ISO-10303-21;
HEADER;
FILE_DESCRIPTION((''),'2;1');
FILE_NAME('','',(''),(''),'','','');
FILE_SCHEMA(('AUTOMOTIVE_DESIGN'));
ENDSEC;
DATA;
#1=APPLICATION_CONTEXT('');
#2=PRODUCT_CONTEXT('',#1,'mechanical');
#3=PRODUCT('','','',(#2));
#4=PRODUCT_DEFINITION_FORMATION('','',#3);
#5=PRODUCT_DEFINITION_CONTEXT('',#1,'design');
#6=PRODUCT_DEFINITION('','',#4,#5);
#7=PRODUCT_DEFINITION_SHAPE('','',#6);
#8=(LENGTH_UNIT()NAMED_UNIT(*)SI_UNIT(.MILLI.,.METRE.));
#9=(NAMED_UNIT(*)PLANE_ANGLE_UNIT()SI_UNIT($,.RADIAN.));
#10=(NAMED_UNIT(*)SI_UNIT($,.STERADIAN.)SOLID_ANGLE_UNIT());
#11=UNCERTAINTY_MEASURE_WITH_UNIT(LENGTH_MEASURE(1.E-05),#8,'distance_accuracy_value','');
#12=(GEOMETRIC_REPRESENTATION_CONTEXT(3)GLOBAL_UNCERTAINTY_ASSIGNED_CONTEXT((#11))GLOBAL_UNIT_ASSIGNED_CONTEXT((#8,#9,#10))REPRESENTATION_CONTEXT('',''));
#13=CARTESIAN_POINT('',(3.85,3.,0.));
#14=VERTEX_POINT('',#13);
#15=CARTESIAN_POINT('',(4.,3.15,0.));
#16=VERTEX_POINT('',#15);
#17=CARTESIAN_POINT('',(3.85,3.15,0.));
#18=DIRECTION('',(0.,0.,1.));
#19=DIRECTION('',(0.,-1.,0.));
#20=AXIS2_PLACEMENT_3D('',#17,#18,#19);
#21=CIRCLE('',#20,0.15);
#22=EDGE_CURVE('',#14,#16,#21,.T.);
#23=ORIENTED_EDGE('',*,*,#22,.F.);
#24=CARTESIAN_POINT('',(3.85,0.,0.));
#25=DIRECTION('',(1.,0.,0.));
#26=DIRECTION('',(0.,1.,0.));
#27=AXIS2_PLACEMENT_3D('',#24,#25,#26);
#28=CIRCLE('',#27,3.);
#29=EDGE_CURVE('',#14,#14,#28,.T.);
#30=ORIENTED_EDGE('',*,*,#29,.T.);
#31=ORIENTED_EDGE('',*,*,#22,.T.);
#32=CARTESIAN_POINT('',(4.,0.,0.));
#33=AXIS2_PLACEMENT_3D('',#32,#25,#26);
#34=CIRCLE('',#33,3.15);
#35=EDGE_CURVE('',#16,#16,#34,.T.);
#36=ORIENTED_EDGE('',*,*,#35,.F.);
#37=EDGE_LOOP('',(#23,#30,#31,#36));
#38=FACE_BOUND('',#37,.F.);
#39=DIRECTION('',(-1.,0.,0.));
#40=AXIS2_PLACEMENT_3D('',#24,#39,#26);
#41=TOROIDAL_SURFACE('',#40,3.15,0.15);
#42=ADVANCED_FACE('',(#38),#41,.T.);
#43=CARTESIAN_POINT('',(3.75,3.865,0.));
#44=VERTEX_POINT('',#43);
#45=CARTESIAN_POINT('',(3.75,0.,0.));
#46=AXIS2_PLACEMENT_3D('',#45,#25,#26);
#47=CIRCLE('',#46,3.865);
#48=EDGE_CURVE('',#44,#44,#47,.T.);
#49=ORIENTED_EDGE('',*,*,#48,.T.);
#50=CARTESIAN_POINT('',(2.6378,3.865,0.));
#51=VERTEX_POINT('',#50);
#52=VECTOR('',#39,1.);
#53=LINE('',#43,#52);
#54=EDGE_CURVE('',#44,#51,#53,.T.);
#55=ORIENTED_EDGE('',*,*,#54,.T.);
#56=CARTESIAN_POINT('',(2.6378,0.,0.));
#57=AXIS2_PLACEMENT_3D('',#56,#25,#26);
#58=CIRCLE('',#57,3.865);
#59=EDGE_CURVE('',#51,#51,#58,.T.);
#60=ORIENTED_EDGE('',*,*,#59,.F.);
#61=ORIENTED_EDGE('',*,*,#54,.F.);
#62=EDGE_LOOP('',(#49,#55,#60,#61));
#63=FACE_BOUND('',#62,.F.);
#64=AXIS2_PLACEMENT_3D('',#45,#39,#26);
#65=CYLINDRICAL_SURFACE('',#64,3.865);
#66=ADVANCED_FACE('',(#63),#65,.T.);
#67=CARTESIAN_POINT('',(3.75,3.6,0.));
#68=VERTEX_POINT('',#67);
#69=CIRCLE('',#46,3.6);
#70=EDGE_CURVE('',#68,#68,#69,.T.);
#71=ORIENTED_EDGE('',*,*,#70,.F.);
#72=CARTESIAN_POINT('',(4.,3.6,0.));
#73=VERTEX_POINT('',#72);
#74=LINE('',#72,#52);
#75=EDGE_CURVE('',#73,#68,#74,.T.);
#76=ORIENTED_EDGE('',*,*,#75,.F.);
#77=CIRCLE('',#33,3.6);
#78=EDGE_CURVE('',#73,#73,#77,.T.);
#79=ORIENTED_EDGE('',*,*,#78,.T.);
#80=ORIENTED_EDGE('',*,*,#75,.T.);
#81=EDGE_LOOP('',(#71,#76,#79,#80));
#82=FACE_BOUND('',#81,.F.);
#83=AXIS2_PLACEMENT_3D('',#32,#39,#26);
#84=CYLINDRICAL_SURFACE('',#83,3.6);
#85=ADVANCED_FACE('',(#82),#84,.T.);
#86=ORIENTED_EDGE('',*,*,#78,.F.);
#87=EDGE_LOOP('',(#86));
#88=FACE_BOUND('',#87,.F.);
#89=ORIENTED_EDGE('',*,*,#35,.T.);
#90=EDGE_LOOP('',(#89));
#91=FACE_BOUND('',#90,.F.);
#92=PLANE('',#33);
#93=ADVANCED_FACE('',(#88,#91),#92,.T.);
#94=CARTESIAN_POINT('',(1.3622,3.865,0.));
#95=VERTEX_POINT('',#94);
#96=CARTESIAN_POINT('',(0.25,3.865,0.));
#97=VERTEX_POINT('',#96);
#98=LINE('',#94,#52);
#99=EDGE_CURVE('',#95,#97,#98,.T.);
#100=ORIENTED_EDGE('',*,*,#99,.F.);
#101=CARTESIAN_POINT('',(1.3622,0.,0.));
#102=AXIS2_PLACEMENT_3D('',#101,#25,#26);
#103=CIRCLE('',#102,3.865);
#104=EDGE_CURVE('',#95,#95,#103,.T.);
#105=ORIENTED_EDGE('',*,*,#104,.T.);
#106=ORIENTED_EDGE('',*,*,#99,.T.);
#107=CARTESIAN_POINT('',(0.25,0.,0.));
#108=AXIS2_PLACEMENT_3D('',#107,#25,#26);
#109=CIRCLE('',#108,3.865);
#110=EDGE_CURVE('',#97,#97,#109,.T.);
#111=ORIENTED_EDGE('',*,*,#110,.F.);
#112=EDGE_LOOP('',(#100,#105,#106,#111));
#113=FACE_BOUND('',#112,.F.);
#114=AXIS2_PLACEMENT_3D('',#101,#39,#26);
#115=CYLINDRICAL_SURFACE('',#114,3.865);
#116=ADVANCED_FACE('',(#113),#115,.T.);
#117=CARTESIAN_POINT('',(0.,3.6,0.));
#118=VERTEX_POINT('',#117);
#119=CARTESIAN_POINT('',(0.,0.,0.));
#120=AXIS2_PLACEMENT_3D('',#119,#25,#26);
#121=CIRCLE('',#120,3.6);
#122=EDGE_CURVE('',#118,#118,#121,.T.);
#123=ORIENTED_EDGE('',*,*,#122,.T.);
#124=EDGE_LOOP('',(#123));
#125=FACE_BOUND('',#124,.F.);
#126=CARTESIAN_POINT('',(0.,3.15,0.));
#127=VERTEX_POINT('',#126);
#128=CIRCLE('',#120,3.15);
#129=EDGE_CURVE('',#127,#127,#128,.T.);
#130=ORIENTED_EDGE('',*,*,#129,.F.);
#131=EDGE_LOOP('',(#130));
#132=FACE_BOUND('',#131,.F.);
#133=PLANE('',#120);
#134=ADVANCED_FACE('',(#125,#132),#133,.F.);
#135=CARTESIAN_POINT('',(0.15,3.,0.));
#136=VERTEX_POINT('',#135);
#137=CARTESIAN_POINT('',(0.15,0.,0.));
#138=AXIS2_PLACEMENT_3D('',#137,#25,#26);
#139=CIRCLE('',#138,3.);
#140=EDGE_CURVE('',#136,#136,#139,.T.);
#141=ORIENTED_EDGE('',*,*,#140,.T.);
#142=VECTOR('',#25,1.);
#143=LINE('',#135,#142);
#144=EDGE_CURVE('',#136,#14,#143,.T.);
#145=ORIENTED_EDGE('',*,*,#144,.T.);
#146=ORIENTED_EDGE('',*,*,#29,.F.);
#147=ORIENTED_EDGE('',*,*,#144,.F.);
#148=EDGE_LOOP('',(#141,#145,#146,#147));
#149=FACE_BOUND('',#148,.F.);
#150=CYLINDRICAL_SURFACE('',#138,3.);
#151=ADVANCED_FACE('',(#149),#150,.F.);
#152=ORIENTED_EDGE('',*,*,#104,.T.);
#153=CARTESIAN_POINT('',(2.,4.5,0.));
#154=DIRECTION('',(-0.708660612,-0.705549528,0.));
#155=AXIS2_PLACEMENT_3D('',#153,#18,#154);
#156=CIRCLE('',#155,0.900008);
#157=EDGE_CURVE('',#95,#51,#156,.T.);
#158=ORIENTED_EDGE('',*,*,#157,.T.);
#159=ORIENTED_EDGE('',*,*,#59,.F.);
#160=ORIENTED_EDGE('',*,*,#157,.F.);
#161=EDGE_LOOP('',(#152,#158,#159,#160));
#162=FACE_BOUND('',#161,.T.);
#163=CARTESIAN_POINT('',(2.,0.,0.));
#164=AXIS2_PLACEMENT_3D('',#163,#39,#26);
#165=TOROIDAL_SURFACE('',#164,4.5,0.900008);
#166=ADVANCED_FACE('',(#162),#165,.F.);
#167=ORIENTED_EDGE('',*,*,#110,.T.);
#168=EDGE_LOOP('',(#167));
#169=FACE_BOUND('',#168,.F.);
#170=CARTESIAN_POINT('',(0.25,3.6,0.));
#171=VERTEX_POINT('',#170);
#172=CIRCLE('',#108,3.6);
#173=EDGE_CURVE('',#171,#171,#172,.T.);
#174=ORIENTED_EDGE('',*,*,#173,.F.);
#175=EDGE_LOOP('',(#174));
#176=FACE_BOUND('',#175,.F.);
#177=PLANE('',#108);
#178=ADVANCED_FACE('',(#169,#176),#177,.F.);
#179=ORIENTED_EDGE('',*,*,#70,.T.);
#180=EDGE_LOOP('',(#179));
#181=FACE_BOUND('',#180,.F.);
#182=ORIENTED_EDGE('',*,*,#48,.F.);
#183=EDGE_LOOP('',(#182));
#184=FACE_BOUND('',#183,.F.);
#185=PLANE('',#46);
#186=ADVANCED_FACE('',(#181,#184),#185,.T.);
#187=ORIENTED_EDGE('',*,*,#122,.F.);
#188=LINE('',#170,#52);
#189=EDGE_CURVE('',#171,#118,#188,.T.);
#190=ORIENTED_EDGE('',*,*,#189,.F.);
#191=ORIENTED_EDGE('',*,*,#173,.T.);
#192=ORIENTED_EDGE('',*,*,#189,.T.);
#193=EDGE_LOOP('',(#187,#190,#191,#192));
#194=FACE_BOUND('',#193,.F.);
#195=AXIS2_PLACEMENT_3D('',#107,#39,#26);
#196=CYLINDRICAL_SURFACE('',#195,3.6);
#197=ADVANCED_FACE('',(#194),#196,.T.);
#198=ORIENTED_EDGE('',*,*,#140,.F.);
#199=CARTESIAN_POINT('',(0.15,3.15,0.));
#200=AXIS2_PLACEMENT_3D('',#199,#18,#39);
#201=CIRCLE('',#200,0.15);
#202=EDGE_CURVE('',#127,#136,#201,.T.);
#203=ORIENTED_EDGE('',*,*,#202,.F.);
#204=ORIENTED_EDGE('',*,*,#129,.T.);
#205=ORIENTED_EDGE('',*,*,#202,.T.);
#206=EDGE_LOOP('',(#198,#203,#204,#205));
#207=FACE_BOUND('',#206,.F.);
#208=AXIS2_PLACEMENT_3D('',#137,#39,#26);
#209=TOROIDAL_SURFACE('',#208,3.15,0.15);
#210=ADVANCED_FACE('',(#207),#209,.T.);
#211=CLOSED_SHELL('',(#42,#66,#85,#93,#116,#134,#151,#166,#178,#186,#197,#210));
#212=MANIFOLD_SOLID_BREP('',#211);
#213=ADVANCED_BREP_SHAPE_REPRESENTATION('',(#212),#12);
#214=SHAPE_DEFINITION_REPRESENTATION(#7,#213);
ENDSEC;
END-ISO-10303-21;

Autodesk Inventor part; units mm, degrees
sketch "Sketch_2" plane through (0, 0, 0) normal (0, 0, 1) x (1, 0, 0)
  line L0 (4, 0) -> (0, 0)
  arc A0 (0, 3.15) -> (0.15, 3) centre (0.15, 3.15) ccw
  line L1 (0.15, 3) -> (3.85, 3)
  arc A1 (3.85, 3) -> (4, 3.15) centre (3.85, 3.15) ccw
  line L2 (4, 3.15) -> (4, 3.6)
  line L3 (4, 3.6) -> (3.75, 3.6)
  line L4 (3.75, 3.6) -> (3.75, 3.865)
  line L5 (3.75, 3.865) -> (2.6378, 3.865)
  arc A2 (1.3622, 3.865) -> (2.6378, 3.865) centre (2, 4.5) ccw
  line L6 (1.3622, 3.865) -> (0.25, 3.865)
  line L7 (0.25, 3.865) -> (0.25, 3.6)
  line L8 (0.25, 3.6) -> (0, 3.6)
  line L9 (0, 3.6) -> (0, 3.15)
revolve "Revolution1" add sketch "Sketch_2" angle 360 about axis through (4, 0, 0) along (1, 0, 0)
ref_plane "ip_st_1_1_XY" through (2, 4.5, 0) normal (1, 0, 0) x (0, 0, -1)
ref_plane "ip_st_1_1_YZ" through (2, 4.5, 0) normal (0, 0, -1) x (0, 1, 0)
ref_plane "ip_st_1_1_ZX" through (2, 4.5, 0) normal (0, 1, 0) x (1, 0, 0)
ref_plane "ip_st_1_10_XY" through (2, 0, -4.5) normal (1, 0, 0) x (0, 0, -1)
ref_plane "ip_st_1_10_YZ" through (2, 0, -4.5) normal (0, 0, -1) x (0, 1, 0)
ref_plane "ip_st_1_10_ZX" through (2, 0, -4.5) normal (0, 1, 0) x (1, 0, 0)
ref_plane "ip_st_1_11_XY" through (2, 2.25, -3.8971) normal (1, 0, 0) x (0, 0, -1)
ref_plane "ip_st_1_11_YZ" through (2, 2.25, -3.8971) normal (0, 0, -1) x (0, 1, 0)
ref_plane "ip_st_1_11_ZX" through (2, 2.25, -3.8971) normal (0, 1, 0) x (1, 0, 0)
ref_plane "ip_st_1_12_XY" through (2, 3.8971, -2.25) normal (1, 0, 0) x (0, 0, -1)
ref_plane "ip_st_1_12_YZ" through (2, 3.8971, -2.25) normal (0, 0, -1) x (0, 1, 0)
ref_plane "ip_st_1_12_ZX" through (2, 3.8971, -2.25) normal (0, 1, 0) x (1, 0, 0)
ref_plane "ip_st_1_2_XY" through (2, 3.8971, 2.25) normal (1, 0, 0) x (0, 0, -1)
ref_plane "ip_st_1_2_YZ" through (2, 3.8971, 2.25) normal (0, 0, -1) x (0, 1, 0)
ref_plane "ip_st_1_2_ZX" through (2, 3.8971, 2.25) normal (0, 1, 0) x (1, 0, 0)
ref_plane "ip_st_1_3_XY" through (2, 2.25, 3.8971) normal (1, 0, 0) x (0, 0, -1)
ref_plane "ip_st_1_3_YZ" through (2, 2.25, 3.8971) normal (0, 0, -1) x (0, 1, 0)
ref_plane "ip_st_1_3_ZX" through (2, 2.25, 3.8971) normal (0, 1, 0) x (1, 0, 0)
ref_plane "ip_st_1_4_XY" through (2, 0, 4.5) normal (1, 0, 0) x (0, 0, -1)
ref_plane "ip_st_1_4_YZ" through (2, 0, 4.5) normal (0, 0, -1) x (0, 1, 0)
ref_plane "ip_st_1_4_ZX" through (2, 0, 4.5) normal (0, 1, 0) x (1, 0, 0)
ref_plane "ip_st_1_5_XY" through (2, -2.25, 3.8971) normal (1, 0, 0) x (0, 0, -1)
ref_plane "ip_st_1_5_YZ" through (2, -2.25, 3.8971) normal (0, 0, -1) x (0, 1, 0)
ref_plane "ip_st_1_5_ZX" through (2, -2.25, 3.8971) normal (0, 1, 0) x (1, 0, 0)
ref_plane "ip_st_1_6_XY" through (2, -3.8971, 2.25) normal (1, 0, 0) x (0, 0, -1)
ref_plane "ip_st_1_6_YZ" through (2, -3.8971, 2.25) normal (0, 0, -1) x (0, 1, 0)
ref_plane "ip_st_1_6_ZX" through (2, -3.8971, 2.25) normal (0, 1, 0) x (1, 0, 0)
ref_plane "ip_st_1_7_XY" through (2, -4.5, 0) normal (1, 0, 0) x (0, 0, -1)
ref_plane "ip_st_1_7_YZ" through (2, -4.5, 0) normal (0, 0, -1) x (0, 1, 0)
ref_plane "ip_st_1_7_ZX" through (2, -4.5, 0) normal (0, 1, 0) x (1, 0, 0)
ref_plane "ip_st_1_8_XY" through (2, -3.8971, -2.25) normal (1, 0, 0) x (0, 0, -1)
ref_plane "ip_st_1_8_YZ" through (2, -3.8971, -2.25) normal (0, 0, -1) x (0, 1, 0)
ref_plane "ip_st_1_8_ZX" through (2, -3.8971, -2.25) normal (0, 1, 0) x (1, 0, 0)
ref_plane "ip_st_1_9_XY" through (2, -2.25, -3.8971) normal (1, 0, 0) x (0, 0, -1)
ref_plane "ip_st_1_9_YZ" through (2, -2.25, -3.8971) normal (0, 0, -1) x (0, 1, 0)
ref_plane "ip_st_1_9_ZX" through (2, -2.25, -3.8971) normal (0, 1, 0) x (1, 0, 0)
ref_plane "ip_st_1a_XY" through (0, 0, 0) normal (1, 0, 0) x (0, 0, -1)
ref_plane "ip_st_1a_YZ" through (0, 0, 0) normal (0, 0, -1) x (0, 1, 0)
ref_plane "ip_st_1a_ZX" through (0, 0, 0) normal (0, 1, 0) x (1, 0, 0)
ref_plane "ip_st_2a_XY" through (0.25, 0, 0) normal (1, 0, 0) x (0, 0, -1)
ref_plane "ip_st_2a_YZ" through (0.25, 0, 0) normal (0, 0, -1) x (0, 1, 0)
ref_plane "ip_st_2a_ZX" through (0.25, 0, 0) normal (0, 1, 0) x (1, 0, 0)
properties part number "MF126ZZ Inner Ring"
